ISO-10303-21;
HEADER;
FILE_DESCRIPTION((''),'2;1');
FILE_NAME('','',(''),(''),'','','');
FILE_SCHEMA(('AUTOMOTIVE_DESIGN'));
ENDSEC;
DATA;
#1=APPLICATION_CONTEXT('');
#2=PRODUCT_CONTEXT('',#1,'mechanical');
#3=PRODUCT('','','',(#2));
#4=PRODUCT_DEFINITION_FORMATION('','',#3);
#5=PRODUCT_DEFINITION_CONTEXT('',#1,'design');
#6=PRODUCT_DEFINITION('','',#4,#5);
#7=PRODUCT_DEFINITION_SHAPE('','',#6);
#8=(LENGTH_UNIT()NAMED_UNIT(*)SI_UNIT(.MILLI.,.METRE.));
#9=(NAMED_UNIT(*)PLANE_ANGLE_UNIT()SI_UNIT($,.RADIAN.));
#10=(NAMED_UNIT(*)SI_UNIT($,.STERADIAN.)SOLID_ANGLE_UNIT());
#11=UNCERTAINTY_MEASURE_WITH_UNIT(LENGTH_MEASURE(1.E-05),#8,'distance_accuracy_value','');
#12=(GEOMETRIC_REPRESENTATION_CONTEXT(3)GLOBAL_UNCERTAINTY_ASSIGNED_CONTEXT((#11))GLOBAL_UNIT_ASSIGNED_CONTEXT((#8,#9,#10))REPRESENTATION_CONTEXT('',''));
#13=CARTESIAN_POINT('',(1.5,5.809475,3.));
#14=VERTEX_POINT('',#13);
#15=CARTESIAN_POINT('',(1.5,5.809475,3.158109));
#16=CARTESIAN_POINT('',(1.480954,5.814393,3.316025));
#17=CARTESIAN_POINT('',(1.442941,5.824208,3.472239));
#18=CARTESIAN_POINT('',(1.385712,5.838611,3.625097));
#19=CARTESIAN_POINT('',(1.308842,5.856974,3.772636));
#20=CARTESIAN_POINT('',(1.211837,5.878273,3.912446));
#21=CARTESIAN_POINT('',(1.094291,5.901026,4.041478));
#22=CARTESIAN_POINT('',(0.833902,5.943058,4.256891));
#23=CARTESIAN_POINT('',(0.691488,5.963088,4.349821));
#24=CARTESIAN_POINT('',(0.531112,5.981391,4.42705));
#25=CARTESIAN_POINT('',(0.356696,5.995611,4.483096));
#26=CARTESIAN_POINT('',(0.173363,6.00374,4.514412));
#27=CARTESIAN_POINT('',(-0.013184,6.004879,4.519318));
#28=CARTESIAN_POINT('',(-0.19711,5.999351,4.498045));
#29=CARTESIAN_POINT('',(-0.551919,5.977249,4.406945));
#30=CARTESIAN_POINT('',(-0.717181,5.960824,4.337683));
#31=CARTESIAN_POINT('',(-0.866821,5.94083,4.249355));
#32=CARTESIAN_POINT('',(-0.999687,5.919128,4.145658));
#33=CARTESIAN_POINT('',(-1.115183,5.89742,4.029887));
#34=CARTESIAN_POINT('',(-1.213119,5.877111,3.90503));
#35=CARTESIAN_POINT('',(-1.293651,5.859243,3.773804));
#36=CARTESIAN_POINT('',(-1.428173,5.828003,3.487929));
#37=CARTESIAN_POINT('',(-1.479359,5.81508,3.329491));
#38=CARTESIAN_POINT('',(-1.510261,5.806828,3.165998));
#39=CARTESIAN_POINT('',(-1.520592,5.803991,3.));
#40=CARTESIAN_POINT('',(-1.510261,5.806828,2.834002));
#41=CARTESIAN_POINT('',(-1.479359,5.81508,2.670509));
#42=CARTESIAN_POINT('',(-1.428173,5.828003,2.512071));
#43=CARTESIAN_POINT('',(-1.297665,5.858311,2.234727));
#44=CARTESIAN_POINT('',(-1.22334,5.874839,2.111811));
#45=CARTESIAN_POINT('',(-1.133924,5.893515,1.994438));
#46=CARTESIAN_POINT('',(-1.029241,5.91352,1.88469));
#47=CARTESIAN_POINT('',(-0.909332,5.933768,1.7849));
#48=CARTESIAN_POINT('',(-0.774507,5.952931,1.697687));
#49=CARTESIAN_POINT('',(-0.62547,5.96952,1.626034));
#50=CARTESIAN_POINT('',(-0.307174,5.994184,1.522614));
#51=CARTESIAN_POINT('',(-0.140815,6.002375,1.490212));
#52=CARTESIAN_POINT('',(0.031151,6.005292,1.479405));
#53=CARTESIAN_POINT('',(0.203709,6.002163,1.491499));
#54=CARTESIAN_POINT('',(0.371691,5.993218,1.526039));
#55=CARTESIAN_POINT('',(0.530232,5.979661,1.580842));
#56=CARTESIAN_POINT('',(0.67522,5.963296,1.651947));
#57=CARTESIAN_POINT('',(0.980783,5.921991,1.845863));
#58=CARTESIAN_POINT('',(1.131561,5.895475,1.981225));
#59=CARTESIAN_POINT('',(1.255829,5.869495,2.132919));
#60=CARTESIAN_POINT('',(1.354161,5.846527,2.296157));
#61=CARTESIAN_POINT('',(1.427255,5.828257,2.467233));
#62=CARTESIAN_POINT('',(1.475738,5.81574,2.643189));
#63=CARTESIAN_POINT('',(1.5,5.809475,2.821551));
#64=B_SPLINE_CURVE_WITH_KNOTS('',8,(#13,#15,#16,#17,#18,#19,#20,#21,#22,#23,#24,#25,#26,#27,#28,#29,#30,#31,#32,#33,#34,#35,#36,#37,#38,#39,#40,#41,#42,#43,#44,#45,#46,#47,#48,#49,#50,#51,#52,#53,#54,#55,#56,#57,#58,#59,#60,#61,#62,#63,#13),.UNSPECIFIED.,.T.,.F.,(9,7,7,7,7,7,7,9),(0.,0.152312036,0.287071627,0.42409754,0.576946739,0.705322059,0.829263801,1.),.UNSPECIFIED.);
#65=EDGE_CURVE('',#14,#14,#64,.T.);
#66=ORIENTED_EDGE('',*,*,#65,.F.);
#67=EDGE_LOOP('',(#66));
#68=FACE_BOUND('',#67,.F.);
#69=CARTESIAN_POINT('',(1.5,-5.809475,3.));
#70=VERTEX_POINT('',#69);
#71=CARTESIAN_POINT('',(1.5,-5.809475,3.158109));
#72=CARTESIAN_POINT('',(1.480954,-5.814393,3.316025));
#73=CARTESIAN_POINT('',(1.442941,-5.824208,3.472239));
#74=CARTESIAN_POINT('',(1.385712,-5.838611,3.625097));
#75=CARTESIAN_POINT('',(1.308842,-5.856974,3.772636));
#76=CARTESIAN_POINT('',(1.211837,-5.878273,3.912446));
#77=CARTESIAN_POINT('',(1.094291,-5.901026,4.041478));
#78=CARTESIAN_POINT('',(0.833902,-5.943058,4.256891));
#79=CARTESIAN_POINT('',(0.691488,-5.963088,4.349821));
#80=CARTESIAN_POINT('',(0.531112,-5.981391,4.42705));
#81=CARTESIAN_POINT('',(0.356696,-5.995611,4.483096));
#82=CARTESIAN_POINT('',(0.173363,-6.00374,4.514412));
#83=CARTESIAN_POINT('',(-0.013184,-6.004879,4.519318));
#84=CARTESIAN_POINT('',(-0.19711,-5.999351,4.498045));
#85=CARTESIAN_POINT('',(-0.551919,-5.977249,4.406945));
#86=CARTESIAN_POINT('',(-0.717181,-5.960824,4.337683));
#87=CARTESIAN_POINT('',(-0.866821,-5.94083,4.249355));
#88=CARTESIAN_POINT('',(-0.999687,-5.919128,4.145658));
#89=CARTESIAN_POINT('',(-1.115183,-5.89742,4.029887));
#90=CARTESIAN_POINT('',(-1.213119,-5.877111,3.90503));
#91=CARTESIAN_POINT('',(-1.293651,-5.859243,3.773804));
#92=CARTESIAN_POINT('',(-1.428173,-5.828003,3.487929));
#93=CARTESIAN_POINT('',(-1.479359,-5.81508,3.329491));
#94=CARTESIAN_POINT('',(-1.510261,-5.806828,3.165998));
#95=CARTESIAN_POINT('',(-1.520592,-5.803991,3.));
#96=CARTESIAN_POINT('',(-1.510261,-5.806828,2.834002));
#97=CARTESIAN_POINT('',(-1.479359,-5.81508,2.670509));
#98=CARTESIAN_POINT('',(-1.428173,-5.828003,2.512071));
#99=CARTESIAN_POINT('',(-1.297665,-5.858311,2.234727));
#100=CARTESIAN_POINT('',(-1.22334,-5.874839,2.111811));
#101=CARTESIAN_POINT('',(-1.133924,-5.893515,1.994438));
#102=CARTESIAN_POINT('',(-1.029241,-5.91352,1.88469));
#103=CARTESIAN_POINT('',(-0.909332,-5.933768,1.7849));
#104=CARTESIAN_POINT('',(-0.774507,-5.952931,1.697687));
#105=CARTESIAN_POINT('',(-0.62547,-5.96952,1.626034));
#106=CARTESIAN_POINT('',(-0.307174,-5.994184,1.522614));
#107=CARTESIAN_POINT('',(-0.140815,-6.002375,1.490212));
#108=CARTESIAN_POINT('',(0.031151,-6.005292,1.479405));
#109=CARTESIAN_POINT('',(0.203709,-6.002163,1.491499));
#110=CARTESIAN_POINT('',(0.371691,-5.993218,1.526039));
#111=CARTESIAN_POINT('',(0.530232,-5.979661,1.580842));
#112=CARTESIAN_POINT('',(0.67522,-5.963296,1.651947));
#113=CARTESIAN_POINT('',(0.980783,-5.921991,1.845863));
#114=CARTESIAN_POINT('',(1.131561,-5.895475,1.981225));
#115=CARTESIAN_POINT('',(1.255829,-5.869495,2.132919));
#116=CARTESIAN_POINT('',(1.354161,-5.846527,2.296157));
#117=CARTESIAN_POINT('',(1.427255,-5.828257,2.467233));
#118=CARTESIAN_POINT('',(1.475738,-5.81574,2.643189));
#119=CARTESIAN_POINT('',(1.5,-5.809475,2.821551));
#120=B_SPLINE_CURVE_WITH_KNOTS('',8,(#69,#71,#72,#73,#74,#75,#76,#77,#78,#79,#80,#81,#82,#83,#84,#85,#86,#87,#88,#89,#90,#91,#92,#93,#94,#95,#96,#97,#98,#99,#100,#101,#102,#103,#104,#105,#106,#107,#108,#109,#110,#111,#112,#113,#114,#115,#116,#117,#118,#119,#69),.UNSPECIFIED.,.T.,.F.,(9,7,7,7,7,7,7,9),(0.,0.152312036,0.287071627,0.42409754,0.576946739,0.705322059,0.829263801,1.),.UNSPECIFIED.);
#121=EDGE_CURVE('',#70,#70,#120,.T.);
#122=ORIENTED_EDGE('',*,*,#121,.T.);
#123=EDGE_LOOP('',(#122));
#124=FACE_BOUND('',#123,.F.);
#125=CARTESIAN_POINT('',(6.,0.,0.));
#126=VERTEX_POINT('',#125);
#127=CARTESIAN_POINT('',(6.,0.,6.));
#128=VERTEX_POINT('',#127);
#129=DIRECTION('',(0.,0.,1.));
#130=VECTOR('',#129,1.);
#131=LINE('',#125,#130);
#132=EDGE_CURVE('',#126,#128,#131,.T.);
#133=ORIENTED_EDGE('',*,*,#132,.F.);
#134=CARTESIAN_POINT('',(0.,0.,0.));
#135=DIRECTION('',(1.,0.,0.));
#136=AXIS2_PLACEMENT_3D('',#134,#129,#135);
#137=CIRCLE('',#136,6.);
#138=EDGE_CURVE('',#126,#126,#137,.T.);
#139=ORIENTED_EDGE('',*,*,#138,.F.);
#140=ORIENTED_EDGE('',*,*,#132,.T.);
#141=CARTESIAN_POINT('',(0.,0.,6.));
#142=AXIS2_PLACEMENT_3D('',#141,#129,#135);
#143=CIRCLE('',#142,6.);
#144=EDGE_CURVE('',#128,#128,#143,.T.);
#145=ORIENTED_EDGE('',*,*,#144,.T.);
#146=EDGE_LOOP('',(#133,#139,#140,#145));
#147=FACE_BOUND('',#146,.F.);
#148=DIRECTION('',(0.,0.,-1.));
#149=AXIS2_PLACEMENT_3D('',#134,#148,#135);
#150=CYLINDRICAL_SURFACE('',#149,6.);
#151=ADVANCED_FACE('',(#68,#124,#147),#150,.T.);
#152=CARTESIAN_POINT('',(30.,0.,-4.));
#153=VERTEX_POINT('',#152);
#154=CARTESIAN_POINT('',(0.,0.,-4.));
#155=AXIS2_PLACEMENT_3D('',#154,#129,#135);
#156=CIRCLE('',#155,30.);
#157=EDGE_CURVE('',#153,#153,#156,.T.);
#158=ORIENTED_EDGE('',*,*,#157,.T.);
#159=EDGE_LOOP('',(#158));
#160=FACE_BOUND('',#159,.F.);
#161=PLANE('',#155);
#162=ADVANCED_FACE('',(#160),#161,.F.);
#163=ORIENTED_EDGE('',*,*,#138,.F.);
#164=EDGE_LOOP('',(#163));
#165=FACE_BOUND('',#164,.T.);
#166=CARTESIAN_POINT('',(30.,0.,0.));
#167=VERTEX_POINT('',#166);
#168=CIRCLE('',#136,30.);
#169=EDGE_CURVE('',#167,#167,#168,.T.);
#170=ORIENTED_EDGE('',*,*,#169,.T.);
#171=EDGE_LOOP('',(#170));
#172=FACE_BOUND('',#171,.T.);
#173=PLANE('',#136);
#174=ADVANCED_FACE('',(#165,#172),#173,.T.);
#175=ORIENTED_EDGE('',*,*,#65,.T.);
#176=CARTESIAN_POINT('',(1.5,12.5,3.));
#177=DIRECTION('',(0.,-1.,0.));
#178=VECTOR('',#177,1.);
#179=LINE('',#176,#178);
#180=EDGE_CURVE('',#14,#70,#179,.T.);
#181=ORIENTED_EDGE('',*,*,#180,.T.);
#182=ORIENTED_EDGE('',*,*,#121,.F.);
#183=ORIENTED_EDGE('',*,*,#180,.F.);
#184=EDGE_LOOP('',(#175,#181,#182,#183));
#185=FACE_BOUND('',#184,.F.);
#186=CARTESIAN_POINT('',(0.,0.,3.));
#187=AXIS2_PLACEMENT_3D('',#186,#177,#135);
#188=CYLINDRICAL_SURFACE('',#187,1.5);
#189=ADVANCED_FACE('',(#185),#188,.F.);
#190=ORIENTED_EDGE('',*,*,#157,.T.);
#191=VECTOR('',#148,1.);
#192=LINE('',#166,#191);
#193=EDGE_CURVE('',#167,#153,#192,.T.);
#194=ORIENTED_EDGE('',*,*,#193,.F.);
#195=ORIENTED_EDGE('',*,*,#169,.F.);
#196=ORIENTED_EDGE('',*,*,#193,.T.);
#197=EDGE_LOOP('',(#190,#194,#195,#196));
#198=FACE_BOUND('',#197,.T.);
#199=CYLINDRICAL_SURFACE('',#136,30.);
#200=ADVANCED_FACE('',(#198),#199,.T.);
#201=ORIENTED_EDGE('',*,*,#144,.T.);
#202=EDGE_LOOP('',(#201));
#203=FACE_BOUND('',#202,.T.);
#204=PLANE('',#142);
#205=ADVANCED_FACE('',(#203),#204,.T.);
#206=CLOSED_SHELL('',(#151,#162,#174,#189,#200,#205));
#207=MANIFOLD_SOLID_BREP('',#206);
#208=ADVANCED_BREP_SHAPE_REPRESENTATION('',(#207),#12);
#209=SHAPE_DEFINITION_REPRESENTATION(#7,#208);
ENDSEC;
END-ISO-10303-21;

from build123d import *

# Parameters (mm, degrees)
F0_R     = 30
F0_R_2   = 6
F1_DEPTH = 4
F2_DEPTH = 6
F3_R     = 1.5
F4_DEPTH = 12.5


with BuildPart() as f1:
    # F0 (on Top) → F1 (new body)
    with BuildSketch(Plane.XY):
        Circle(F0_R)
        Circle(F0_R_2, mode=Mode.SUBTRACT)
        Circle(F0_R_2)
    extrude(amount=-F1_DEPTH)

    # F0 (on Top) → F2 (join)
    with BuildSketch(Plane.XY):
        Circle(F0_R_2)
    extrude(amount=F2_DEPTH)

    # F3 (on Front) → F4 (cut, symmetric)
    with BuildSketch(Plane.XZ):
        with Locations((0, 3)):
            Circle(F3_R)
    extrude(amount=F4_DEPTH, both=True, mode=Mode.SUBTRACT)


solid = f1.part
